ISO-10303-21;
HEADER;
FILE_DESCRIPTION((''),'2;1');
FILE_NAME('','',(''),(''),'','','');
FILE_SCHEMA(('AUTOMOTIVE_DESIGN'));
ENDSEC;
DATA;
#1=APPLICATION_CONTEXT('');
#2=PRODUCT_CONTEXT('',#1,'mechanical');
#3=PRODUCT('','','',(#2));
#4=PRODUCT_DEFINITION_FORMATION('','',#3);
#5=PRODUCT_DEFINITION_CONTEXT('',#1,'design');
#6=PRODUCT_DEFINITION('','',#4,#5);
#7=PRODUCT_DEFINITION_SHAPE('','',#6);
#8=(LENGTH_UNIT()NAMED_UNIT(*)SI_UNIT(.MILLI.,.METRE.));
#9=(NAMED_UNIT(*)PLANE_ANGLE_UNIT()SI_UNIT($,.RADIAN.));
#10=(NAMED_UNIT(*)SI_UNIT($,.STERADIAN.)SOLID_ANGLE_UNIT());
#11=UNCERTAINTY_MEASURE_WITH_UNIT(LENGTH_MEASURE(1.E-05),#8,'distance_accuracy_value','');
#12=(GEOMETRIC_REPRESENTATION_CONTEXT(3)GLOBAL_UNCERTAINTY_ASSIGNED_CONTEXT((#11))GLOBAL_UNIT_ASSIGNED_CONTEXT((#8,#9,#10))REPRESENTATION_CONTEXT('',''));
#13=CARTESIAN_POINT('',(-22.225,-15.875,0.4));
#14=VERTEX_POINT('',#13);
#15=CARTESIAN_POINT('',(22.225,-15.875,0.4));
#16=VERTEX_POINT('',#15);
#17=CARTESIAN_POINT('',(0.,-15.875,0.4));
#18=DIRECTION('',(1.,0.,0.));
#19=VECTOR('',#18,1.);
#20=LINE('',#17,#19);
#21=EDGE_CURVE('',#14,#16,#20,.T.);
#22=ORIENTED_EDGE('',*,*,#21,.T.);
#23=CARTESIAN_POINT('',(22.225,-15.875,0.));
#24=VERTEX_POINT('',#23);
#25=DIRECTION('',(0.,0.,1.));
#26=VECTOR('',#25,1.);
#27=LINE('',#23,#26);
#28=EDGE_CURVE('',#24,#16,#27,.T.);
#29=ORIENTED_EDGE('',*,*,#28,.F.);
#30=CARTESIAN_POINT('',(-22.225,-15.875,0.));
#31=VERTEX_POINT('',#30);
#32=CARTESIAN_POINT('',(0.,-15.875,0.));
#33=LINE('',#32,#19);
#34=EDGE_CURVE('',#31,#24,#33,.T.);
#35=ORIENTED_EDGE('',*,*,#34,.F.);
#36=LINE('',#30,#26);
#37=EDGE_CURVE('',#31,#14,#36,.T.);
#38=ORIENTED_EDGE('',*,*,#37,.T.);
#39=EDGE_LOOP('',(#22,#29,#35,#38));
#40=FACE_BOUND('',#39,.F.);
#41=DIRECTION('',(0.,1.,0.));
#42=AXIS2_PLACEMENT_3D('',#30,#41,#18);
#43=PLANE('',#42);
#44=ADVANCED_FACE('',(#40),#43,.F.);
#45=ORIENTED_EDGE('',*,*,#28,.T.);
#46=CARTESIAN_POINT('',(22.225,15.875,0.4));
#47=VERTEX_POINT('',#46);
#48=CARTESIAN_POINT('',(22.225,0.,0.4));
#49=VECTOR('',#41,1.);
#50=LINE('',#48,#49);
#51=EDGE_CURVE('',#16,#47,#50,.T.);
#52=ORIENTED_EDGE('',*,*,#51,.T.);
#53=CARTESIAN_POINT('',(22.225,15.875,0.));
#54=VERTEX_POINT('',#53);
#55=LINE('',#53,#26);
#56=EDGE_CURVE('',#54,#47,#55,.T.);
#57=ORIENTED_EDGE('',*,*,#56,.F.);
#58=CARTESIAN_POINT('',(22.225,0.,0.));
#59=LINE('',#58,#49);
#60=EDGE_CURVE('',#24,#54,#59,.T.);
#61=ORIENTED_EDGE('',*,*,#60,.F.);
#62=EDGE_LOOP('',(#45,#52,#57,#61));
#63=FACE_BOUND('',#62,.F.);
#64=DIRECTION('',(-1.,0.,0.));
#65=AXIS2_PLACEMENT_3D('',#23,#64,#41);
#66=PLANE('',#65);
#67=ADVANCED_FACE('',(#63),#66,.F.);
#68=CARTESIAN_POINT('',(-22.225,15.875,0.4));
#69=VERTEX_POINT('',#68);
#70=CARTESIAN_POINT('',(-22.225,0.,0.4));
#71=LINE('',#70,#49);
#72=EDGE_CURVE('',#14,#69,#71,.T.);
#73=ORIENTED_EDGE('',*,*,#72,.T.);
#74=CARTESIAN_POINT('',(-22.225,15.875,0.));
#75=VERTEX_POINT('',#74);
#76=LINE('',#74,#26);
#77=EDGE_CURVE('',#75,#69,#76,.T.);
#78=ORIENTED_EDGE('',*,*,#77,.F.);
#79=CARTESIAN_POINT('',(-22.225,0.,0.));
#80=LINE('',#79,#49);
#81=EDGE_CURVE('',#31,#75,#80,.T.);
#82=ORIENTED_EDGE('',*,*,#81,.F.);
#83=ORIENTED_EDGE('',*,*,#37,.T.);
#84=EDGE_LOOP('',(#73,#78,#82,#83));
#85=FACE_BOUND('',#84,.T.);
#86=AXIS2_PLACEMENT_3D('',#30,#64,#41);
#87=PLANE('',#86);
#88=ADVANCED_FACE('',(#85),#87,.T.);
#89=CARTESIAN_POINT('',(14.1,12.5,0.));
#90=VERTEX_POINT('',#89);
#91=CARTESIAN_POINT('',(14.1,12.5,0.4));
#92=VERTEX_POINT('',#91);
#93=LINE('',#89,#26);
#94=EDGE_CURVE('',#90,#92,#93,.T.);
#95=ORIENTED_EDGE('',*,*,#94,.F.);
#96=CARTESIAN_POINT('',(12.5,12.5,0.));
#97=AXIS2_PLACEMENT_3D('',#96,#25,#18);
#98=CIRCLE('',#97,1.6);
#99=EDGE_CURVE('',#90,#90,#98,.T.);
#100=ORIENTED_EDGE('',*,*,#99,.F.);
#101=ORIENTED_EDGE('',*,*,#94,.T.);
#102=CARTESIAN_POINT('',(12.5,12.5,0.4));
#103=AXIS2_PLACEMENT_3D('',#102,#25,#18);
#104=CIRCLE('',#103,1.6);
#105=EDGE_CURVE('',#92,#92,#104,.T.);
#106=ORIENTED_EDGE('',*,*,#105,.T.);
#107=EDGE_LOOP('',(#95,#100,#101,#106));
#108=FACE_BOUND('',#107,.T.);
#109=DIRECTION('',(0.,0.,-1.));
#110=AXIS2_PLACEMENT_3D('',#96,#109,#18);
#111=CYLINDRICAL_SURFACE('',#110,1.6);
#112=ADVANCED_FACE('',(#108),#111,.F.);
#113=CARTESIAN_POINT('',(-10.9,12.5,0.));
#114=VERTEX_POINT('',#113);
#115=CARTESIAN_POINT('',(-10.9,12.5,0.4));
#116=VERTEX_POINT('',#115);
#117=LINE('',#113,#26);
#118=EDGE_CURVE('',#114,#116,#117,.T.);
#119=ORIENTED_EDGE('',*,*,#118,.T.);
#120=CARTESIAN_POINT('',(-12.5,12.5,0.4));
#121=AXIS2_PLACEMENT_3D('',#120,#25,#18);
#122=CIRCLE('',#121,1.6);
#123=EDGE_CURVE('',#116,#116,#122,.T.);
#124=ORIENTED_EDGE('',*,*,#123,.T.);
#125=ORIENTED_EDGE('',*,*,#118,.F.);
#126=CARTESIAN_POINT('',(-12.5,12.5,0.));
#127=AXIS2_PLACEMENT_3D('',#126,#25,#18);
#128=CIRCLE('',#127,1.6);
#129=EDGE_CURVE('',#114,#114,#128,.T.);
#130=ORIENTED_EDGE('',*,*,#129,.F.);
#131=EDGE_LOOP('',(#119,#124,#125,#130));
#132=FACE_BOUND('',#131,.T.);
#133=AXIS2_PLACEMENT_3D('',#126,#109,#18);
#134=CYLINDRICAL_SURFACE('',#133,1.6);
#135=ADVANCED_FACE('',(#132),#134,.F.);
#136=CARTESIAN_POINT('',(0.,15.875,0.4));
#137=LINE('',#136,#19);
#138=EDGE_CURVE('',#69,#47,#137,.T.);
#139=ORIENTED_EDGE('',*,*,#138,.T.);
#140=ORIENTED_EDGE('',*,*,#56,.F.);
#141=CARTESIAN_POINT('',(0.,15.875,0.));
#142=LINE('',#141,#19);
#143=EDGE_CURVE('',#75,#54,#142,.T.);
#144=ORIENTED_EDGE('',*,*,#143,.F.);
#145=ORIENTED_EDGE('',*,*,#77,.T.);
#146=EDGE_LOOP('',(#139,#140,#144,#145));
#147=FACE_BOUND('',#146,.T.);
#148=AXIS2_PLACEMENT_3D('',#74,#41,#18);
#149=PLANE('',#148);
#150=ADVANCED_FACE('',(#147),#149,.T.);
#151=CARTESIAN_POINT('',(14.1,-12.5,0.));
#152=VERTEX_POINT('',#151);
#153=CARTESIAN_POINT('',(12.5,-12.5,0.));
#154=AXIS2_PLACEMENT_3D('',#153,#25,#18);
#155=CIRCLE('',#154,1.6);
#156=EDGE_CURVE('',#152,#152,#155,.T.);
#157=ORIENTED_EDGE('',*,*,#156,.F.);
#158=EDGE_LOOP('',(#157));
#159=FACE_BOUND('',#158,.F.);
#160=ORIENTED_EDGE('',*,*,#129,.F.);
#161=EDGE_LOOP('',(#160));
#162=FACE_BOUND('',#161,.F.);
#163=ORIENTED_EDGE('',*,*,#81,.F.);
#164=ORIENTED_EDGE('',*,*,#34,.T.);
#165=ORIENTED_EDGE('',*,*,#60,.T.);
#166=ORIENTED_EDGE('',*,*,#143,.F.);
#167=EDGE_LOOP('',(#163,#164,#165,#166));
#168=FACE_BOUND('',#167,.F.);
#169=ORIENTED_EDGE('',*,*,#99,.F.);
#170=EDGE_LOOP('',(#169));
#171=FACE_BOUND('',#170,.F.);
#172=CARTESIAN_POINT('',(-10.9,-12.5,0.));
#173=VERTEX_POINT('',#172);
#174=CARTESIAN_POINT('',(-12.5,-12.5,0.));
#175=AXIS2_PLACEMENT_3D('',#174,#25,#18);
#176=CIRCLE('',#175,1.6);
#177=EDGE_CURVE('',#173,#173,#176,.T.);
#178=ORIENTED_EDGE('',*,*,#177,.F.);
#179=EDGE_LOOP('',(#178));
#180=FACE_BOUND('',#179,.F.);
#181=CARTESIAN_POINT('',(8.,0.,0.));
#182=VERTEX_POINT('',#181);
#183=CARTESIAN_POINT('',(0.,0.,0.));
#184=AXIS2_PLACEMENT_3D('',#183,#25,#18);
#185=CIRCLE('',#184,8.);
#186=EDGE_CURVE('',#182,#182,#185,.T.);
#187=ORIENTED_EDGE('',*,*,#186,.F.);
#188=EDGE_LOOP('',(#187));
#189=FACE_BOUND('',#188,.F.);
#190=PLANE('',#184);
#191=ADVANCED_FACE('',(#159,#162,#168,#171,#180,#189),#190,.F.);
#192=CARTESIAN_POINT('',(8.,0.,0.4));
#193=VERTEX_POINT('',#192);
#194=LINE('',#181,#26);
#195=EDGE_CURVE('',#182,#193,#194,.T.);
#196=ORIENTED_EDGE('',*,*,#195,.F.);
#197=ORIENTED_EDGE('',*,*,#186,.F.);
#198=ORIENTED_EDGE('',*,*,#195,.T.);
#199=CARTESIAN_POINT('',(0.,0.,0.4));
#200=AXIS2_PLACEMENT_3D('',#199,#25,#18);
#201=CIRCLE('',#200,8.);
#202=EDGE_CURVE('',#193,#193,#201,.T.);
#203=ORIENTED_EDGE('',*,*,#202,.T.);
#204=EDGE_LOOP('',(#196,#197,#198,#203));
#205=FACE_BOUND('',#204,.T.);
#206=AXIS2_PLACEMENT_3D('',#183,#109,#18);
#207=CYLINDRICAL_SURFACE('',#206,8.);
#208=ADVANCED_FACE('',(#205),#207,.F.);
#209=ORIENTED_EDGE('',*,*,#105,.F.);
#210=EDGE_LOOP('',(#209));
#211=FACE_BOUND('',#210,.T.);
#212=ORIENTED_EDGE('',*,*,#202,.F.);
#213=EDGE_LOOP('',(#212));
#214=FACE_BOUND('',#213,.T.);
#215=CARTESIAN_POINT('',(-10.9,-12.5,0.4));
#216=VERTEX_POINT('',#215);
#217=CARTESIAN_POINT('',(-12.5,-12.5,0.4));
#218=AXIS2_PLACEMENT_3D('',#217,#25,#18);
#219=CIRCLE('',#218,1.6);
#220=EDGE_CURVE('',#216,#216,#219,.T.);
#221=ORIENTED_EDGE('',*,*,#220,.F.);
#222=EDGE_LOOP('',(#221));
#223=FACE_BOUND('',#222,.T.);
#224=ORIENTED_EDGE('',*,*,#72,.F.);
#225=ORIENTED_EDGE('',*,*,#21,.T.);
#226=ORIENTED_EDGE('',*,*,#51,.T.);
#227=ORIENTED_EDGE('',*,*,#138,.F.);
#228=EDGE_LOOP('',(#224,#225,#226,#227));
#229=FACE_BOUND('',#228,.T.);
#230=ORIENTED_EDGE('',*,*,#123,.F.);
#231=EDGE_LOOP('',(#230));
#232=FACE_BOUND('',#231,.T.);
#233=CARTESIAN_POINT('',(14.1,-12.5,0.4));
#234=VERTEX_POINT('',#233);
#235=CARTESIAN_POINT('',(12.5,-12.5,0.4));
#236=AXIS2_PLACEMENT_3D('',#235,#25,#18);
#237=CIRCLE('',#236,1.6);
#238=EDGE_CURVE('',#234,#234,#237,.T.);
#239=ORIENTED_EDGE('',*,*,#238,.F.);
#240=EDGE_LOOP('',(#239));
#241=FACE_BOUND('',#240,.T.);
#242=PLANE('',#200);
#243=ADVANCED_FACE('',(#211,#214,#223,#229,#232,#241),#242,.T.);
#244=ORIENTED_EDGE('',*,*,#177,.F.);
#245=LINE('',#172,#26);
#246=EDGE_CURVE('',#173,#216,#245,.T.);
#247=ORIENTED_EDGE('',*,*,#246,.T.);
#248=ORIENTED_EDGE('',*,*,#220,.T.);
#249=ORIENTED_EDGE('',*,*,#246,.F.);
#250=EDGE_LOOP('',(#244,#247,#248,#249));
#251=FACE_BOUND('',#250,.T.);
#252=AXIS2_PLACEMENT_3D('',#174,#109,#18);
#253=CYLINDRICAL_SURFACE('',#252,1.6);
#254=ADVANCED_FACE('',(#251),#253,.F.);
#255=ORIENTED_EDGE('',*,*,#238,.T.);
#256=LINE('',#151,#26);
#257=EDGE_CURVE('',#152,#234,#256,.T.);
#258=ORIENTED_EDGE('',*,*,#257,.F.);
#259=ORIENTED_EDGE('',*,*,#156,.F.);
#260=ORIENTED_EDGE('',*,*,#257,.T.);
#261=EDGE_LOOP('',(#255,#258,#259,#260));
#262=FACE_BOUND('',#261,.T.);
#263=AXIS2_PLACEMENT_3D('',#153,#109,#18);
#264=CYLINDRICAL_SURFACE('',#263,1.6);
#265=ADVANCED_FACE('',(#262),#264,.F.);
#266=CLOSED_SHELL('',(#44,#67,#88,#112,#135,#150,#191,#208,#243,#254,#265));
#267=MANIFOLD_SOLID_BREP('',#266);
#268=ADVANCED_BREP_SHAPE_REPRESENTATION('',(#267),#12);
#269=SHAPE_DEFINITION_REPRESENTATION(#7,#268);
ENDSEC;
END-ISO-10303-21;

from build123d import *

# Parameters (mm, degrees)
SKETCH_W   = 44.45
SKETCH_H   = 31.75
SKETCH_R   = 1.6
SKETCH_R_2 = 8
PAD_DEPTH  = 0.4


with BuildPart() as part:
    # Sketch → Pad (new body)
    with BuildSketch(Plane.XY):
        Rectangle(SKETCH_W, SKETCH_H)
        with Locations((-12.5, 12.5)):
            Circle(SKETCH_R, mode=Mode.SUBTRACT)
        with Locations((12.5, 12.5)):
            Circle(SKETCH_R, mode=Mode.SUBTRACT)
        with Locations((12.5, -12.5)):
            Circle(SKETCH_R, mode=Mode.SUBTRACT)
        with Locations((-12.5, -12.5)):
            Circle(SKETCH_R, mode=Mode.SUBTRACT)
        Circle(SKETCH_R_2, mode=Mode.SUBTRACT)
    extrude(amount=PAD_DEPTH)


solid = part.part
